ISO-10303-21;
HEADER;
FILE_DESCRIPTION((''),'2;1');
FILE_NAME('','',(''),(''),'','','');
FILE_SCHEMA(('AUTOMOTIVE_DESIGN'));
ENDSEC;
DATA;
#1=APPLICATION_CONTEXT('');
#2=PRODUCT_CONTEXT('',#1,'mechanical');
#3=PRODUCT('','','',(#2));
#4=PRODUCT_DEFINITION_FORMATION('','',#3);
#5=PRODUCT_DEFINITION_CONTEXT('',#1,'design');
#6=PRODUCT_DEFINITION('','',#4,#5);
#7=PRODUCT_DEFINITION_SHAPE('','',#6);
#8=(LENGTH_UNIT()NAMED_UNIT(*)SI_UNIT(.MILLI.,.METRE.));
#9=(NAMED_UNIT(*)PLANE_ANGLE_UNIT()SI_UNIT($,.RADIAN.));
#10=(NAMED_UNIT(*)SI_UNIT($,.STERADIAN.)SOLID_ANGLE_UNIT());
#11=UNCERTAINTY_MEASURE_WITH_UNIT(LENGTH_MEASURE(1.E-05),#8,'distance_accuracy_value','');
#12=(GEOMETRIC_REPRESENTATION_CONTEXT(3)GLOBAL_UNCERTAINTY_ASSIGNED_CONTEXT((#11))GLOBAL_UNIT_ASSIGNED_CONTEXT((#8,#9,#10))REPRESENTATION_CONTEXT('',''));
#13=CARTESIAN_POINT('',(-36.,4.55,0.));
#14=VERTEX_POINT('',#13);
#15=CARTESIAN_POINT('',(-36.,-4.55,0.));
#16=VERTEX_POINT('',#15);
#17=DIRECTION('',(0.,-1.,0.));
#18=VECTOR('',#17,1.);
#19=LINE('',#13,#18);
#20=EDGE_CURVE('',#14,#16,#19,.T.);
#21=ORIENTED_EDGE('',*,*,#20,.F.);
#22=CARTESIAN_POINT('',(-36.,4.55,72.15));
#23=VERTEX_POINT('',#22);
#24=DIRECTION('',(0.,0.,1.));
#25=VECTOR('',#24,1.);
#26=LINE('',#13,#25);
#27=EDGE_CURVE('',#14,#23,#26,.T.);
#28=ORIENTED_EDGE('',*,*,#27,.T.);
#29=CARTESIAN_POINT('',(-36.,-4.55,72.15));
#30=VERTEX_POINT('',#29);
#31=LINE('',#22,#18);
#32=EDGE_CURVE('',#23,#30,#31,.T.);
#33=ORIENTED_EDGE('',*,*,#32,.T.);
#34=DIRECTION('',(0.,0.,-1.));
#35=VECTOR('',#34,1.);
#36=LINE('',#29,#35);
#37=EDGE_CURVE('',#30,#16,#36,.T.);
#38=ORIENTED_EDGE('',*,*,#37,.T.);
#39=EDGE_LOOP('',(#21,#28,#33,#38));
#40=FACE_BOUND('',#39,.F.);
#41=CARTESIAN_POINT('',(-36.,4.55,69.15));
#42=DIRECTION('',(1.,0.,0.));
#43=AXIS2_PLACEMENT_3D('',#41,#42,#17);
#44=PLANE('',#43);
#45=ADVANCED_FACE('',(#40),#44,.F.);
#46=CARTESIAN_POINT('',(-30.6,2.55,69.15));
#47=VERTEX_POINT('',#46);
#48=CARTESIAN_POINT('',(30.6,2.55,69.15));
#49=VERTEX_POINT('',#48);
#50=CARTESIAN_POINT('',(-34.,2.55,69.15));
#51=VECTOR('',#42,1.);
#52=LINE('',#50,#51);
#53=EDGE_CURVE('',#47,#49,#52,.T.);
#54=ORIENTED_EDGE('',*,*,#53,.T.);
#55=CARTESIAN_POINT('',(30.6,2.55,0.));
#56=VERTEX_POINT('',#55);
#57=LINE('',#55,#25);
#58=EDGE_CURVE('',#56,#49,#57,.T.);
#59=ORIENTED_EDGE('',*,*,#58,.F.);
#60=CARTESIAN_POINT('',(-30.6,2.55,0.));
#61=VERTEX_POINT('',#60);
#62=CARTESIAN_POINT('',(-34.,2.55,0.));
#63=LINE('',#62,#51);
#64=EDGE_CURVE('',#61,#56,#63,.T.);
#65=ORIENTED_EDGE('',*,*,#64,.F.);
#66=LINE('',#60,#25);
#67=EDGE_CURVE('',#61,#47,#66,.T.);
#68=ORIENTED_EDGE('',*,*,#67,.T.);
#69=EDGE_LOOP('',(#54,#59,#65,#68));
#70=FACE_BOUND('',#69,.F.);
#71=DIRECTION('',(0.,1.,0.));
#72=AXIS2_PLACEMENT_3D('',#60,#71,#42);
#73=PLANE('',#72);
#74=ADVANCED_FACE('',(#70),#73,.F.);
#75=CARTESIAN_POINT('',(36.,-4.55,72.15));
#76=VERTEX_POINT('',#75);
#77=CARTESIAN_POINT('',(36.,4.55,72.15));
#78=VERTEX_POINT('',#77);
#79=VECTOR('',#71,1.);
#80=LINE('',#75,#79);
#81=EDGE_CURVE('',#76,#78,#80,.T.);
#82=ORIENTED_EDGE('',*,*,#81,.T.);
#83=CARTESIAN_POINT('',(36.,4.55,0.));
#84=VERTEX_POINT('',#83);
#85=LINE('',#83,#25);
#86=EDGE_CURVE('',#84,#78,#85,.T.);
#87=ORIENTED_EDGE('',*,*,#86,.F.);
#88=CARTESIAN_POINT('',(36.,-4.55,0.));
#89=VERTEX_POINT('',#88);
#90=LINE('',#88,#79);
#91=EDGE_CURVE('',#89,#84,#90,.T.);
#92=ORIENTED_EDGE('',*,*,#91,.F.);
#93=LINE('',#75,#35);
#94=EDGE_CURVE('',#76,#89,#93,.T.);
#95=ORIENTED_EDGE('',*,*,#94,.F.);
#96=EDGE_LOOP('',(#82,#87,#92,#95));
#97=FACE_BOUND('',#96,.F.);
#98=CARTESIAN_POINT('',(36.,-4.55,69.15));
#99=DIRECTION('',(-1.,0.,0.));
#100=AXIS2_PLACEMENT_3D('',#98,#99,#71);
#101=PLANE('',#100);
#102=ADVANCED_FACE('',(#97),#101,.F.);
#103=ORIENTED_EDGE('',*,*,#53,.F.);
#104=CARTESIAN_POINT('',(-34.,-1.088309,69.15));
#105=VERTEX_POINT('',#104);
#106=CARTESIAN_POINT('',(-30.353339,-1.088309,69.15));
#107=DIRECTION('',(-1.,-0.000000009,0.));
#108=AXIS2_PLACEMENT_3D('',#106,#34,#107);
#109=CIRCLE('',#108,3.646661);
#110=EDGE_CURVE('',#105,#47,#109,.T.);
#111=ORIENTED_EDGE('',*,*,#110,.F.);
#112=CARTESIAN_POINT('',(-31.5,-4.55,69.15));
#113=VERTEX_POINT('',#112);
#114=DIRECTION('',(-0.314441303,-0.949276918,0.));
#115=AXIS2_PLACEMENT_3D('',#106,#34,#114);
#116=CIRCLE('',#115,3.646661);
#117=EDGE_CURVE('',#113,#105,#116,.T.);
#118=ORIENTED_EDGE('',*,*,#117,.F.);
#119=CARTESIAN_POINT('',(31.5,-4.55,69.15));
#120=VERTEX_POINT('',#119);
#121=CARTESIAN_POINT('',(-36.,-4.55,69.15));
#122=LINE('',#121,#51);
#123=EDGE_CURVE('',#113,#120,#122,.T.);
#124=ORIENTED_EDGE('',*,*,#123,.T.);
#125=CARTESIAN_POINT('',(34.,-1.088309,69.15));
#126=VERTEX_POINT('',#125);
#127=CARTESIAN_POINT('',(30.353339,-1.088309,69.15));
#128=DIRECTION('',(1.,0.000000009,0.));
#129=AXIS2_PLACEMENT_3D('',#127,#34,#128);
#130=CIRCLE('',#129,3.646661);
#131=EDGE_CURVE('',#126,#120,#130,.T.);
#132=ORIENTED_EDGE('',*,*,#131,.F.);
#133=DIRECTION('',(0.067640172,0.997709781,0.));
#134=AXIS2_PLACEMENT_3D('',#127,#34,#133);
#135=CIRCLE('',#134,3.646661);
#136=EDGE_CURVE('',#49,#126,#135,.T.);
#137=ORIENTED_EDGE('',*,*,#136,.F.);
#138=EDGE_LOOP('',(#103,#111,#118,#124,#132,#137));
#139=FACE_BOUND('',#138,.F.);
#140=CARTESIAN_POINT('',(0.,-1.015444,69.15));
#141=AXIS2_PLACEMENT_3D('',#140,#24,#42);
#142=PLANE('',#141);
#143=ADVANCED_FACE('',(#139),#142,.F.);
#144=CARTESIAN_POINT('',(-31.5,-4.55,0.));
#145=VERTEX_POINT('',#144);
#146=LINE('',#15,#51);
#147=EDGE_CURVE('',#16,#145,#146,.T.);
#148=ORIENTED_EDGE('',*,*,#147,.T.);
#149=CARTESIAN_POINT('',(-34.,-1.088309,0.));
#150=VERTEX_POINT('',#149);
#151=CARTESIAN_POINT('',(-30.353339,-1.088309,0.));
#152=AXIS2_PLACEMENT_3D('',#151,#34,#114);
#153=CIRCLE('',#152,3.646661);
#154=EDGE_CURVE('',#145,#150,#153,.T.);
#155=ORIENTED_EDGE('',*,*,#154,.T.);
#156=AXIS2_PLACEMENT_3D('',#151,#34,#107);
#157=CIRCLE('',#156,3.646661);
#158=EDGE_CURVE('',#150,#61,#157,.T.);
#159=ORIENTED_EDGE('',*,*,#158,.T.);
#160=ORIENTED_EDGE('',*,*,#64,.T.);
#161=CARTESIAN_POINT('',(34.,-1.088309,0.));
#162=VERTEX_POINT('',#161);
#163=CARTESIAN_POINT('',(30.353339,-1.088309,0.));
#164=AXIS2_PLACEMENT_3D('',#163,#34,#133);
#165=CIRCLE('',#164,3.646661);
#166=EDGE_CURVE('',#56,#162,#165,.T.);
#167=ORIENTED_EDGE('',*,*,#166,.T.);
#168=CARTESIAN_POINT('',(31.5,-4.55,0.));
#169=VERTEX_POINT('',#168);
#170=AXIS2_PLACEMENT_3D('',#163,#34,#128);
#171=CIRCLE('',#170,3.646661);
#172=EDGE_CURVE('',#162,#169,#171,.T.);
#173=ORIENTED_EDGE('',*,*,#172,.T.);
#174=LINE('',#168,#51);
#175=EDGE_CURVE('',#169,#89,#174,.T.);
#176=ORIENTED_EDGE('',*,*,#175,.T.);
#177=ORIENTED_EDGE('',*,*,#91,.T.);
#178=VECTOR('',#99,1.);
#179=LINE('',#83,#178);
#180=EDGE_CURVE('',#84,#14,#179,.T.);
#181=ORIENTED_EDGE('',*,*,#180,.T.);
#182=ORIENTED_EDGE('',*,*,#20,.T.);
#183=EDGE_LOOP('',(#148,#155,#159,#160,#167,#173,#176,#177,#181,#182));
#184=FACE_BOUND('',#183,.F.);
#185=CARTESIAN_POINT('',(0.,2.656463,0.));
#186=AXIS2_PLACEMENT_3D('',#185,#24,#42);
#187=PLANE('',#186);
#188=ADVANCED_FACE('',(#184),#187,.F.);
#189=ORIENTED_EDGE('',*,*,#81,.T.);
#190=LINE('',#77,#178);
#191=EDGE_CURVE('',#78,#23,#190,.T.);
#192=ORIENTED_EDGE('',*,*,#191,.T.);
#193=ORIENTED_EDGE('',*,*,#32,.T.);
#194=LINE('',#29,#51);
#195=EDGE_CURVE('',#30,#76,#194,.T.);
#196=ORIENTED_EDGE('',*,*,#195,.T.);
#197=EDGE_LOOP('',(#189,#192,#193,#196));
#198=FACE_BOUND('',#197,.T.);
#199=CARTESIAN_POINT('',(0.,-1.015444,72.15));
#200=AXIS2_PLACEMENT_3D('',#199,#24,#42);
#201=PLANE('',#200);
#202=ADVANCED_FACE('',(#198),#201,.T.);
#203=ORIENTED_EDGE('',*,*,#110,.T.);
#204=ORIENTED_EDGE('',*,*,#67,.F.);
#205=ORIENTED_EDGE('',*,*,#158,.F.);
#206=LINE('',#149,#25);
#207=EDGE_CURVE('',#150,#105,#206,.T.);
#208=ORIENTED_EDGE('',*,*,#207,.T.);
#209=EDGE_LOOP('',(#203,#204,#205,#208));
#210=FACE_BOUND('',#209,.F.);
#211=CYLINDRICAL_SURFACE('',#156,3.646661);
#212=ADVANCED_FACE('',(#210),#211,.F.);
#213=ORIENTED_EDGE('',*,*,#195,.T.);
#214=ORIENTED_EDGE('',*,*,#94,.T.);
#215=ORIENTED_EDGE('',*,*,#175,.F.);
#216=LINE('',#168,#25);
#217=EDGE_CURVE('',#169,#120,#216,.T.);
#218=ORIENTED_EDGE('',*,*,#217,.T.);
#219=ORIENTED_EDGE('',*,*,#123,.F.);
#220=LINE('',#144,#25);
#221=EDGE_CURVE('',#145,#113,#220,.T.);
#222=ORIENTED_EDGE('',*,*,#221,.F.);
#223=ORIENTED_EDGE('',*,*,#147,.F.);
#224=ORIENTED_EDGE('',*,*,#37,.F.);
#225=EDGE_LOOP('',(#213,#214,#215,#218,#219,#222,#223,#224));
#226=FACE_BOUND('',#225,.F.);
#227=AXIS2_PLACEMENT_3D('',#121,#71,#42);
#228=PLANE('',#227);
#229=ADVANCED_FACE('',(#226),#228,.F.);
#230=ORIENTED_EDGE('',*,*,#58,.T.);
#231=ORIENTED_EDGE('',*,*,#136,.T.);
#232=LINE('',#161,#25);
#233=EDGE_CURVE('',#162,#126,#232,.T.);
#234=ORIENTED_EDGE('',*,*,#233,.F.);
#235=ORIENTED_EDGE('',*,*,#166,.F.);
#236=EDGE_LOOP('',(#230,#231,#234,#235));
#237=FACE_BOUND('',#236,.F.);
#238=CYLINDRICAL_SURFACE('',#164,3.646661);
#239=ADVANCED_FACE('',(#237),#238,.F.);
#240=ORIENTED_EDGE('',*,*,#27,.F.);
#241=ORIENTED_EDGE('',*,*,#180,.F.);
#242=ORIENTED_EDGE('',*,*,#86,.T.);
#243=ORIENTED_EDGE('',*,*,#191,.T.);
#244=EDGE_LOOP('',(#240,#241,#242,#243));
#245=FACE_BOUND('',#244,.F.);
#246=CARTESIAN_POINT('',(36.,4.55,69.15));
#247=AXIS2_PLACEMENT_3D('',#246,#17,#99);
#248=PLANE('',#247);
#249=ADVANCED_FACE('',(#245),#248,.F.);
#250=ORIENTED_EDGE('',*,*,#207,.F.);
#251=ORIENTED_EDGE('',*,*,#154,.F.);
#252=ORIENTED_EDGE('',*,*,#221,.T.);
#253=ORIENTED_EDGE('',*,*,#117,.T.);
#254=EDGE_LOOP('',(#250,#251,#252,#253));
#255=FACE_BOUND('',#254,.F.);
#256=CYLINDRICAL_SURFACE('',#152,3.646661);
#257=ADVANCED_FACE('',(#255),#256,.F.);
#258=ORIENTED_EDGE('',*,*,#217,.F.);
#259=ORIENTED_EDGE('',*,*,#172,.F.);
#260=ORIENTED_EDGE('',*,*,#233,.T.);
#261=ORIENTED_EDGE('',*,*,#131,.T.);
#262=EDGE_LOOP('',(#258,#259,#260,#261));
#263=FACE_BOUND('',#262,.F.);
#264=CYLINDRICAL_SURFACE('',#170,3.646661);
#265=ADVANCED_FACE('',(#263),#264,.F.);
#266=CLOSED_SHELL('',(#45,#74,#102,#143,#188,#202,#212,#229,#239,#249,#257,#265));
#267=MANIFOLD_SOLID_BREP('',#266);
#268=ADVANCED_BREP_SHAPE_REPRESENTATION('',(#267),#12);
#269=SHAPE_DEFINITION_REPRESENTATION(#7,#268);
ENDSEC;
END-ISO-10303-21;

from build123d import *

# Parameters (mm, degrees)
F1_DEPTH = 69.15
F3_DEPTH = 3


with BuildPart() as f1:
    # F0 (on Top) → F1 (new body)
    with BuildSketch(Plane.XY):
        Polygon((36, 4.55), (-36, 4.55), (-36, -4.55), (-34, -4.55), (-34, -1.0883091449), (-34, 2.55), (-30.6, 2.55), (30.6, 2.55), (34, 2.55), (34, -1.0883090766), (34, -4.55), (36, -4.55), align=None)
        with BuildLine():
            Line((-34, 2.55), (-34, -1.0883091449))
            ThreePointArc((-34, -1.0883091449), (-33.0176987257, 1.4015349073), (-30.6, 2.55))
            Line((-30.6, 2.55), (-34, 2.55))
        make_face()
        with BuildLine():
            Line((-34, -1.0883091449), (-34, -4.55))
            Line((-34, -4.55), (-31.5, -4.55))
            ThreePointArc((-31.5, -4.55), (-33.3096559838, -3.2233327669), (-34, -1.0883091449))
        make_face()
        with BuildLine():
            ThreePointArc((30.6, 2.55), (33.0176987024, 1.4015349322), (34, -1.0883090766))
            Line((34, -1.0883090766), (34, 2.55))
            Line((34, 2.55), (30.6, 2.55))
        make_face()
        with BuildLine():
            Line((31.5, -4.55), (34, -4.55))
            Line((34, -4.55), (34, -1.0883090766))
            ThreePointArc((34, -1.0883090766), (33.3096560038, -3.2233327392), (31.5, -4.55))
        make_face()
    extrude(amount=F1_DEPTH)

    # F2 (on face) → F3 (join)
    with BuildSketch(Plane.XY.offset(69.15)):
        with BuildLine():
            ThreePointArc((-30.6, 2.55), (-33.9710506989, -0.6297259677), (-31.5, -4.55))
            Line((-31.5, -4.55), (31.5, -4.55))
            ThreePointArc((31.5, -4.55), (33.9710506989, -0.6297259677), (30.6, 2.55))
            Line((30.6, 2.55), (-30.6, 2.55))
        make_face()
        with BuildLine():
            Line((36, 4.55), (-36, 4.55))
            Line((-36, 4.55), (-36, -4.55))
            Line((-36, -4.55), (-31.5, -4.55))
            ThreePointArc((-31.5, -4.55), (-33.9710506989, -0.6297259677), (-30.6, 2.55))
            Line((-30.6, 2.55), (30.6, 2.55))
            ThreePointArc((30.6, 2.55), (33.9710506989, -0.6297259677), (31.5, -4.55))
            Line((31.5, -4.55), (36, -4.55))
            Line((36, -4.55), (36, 4.55))
        make_face()
    extrude(amount=F3_DEPTH)


solid = f1.part
